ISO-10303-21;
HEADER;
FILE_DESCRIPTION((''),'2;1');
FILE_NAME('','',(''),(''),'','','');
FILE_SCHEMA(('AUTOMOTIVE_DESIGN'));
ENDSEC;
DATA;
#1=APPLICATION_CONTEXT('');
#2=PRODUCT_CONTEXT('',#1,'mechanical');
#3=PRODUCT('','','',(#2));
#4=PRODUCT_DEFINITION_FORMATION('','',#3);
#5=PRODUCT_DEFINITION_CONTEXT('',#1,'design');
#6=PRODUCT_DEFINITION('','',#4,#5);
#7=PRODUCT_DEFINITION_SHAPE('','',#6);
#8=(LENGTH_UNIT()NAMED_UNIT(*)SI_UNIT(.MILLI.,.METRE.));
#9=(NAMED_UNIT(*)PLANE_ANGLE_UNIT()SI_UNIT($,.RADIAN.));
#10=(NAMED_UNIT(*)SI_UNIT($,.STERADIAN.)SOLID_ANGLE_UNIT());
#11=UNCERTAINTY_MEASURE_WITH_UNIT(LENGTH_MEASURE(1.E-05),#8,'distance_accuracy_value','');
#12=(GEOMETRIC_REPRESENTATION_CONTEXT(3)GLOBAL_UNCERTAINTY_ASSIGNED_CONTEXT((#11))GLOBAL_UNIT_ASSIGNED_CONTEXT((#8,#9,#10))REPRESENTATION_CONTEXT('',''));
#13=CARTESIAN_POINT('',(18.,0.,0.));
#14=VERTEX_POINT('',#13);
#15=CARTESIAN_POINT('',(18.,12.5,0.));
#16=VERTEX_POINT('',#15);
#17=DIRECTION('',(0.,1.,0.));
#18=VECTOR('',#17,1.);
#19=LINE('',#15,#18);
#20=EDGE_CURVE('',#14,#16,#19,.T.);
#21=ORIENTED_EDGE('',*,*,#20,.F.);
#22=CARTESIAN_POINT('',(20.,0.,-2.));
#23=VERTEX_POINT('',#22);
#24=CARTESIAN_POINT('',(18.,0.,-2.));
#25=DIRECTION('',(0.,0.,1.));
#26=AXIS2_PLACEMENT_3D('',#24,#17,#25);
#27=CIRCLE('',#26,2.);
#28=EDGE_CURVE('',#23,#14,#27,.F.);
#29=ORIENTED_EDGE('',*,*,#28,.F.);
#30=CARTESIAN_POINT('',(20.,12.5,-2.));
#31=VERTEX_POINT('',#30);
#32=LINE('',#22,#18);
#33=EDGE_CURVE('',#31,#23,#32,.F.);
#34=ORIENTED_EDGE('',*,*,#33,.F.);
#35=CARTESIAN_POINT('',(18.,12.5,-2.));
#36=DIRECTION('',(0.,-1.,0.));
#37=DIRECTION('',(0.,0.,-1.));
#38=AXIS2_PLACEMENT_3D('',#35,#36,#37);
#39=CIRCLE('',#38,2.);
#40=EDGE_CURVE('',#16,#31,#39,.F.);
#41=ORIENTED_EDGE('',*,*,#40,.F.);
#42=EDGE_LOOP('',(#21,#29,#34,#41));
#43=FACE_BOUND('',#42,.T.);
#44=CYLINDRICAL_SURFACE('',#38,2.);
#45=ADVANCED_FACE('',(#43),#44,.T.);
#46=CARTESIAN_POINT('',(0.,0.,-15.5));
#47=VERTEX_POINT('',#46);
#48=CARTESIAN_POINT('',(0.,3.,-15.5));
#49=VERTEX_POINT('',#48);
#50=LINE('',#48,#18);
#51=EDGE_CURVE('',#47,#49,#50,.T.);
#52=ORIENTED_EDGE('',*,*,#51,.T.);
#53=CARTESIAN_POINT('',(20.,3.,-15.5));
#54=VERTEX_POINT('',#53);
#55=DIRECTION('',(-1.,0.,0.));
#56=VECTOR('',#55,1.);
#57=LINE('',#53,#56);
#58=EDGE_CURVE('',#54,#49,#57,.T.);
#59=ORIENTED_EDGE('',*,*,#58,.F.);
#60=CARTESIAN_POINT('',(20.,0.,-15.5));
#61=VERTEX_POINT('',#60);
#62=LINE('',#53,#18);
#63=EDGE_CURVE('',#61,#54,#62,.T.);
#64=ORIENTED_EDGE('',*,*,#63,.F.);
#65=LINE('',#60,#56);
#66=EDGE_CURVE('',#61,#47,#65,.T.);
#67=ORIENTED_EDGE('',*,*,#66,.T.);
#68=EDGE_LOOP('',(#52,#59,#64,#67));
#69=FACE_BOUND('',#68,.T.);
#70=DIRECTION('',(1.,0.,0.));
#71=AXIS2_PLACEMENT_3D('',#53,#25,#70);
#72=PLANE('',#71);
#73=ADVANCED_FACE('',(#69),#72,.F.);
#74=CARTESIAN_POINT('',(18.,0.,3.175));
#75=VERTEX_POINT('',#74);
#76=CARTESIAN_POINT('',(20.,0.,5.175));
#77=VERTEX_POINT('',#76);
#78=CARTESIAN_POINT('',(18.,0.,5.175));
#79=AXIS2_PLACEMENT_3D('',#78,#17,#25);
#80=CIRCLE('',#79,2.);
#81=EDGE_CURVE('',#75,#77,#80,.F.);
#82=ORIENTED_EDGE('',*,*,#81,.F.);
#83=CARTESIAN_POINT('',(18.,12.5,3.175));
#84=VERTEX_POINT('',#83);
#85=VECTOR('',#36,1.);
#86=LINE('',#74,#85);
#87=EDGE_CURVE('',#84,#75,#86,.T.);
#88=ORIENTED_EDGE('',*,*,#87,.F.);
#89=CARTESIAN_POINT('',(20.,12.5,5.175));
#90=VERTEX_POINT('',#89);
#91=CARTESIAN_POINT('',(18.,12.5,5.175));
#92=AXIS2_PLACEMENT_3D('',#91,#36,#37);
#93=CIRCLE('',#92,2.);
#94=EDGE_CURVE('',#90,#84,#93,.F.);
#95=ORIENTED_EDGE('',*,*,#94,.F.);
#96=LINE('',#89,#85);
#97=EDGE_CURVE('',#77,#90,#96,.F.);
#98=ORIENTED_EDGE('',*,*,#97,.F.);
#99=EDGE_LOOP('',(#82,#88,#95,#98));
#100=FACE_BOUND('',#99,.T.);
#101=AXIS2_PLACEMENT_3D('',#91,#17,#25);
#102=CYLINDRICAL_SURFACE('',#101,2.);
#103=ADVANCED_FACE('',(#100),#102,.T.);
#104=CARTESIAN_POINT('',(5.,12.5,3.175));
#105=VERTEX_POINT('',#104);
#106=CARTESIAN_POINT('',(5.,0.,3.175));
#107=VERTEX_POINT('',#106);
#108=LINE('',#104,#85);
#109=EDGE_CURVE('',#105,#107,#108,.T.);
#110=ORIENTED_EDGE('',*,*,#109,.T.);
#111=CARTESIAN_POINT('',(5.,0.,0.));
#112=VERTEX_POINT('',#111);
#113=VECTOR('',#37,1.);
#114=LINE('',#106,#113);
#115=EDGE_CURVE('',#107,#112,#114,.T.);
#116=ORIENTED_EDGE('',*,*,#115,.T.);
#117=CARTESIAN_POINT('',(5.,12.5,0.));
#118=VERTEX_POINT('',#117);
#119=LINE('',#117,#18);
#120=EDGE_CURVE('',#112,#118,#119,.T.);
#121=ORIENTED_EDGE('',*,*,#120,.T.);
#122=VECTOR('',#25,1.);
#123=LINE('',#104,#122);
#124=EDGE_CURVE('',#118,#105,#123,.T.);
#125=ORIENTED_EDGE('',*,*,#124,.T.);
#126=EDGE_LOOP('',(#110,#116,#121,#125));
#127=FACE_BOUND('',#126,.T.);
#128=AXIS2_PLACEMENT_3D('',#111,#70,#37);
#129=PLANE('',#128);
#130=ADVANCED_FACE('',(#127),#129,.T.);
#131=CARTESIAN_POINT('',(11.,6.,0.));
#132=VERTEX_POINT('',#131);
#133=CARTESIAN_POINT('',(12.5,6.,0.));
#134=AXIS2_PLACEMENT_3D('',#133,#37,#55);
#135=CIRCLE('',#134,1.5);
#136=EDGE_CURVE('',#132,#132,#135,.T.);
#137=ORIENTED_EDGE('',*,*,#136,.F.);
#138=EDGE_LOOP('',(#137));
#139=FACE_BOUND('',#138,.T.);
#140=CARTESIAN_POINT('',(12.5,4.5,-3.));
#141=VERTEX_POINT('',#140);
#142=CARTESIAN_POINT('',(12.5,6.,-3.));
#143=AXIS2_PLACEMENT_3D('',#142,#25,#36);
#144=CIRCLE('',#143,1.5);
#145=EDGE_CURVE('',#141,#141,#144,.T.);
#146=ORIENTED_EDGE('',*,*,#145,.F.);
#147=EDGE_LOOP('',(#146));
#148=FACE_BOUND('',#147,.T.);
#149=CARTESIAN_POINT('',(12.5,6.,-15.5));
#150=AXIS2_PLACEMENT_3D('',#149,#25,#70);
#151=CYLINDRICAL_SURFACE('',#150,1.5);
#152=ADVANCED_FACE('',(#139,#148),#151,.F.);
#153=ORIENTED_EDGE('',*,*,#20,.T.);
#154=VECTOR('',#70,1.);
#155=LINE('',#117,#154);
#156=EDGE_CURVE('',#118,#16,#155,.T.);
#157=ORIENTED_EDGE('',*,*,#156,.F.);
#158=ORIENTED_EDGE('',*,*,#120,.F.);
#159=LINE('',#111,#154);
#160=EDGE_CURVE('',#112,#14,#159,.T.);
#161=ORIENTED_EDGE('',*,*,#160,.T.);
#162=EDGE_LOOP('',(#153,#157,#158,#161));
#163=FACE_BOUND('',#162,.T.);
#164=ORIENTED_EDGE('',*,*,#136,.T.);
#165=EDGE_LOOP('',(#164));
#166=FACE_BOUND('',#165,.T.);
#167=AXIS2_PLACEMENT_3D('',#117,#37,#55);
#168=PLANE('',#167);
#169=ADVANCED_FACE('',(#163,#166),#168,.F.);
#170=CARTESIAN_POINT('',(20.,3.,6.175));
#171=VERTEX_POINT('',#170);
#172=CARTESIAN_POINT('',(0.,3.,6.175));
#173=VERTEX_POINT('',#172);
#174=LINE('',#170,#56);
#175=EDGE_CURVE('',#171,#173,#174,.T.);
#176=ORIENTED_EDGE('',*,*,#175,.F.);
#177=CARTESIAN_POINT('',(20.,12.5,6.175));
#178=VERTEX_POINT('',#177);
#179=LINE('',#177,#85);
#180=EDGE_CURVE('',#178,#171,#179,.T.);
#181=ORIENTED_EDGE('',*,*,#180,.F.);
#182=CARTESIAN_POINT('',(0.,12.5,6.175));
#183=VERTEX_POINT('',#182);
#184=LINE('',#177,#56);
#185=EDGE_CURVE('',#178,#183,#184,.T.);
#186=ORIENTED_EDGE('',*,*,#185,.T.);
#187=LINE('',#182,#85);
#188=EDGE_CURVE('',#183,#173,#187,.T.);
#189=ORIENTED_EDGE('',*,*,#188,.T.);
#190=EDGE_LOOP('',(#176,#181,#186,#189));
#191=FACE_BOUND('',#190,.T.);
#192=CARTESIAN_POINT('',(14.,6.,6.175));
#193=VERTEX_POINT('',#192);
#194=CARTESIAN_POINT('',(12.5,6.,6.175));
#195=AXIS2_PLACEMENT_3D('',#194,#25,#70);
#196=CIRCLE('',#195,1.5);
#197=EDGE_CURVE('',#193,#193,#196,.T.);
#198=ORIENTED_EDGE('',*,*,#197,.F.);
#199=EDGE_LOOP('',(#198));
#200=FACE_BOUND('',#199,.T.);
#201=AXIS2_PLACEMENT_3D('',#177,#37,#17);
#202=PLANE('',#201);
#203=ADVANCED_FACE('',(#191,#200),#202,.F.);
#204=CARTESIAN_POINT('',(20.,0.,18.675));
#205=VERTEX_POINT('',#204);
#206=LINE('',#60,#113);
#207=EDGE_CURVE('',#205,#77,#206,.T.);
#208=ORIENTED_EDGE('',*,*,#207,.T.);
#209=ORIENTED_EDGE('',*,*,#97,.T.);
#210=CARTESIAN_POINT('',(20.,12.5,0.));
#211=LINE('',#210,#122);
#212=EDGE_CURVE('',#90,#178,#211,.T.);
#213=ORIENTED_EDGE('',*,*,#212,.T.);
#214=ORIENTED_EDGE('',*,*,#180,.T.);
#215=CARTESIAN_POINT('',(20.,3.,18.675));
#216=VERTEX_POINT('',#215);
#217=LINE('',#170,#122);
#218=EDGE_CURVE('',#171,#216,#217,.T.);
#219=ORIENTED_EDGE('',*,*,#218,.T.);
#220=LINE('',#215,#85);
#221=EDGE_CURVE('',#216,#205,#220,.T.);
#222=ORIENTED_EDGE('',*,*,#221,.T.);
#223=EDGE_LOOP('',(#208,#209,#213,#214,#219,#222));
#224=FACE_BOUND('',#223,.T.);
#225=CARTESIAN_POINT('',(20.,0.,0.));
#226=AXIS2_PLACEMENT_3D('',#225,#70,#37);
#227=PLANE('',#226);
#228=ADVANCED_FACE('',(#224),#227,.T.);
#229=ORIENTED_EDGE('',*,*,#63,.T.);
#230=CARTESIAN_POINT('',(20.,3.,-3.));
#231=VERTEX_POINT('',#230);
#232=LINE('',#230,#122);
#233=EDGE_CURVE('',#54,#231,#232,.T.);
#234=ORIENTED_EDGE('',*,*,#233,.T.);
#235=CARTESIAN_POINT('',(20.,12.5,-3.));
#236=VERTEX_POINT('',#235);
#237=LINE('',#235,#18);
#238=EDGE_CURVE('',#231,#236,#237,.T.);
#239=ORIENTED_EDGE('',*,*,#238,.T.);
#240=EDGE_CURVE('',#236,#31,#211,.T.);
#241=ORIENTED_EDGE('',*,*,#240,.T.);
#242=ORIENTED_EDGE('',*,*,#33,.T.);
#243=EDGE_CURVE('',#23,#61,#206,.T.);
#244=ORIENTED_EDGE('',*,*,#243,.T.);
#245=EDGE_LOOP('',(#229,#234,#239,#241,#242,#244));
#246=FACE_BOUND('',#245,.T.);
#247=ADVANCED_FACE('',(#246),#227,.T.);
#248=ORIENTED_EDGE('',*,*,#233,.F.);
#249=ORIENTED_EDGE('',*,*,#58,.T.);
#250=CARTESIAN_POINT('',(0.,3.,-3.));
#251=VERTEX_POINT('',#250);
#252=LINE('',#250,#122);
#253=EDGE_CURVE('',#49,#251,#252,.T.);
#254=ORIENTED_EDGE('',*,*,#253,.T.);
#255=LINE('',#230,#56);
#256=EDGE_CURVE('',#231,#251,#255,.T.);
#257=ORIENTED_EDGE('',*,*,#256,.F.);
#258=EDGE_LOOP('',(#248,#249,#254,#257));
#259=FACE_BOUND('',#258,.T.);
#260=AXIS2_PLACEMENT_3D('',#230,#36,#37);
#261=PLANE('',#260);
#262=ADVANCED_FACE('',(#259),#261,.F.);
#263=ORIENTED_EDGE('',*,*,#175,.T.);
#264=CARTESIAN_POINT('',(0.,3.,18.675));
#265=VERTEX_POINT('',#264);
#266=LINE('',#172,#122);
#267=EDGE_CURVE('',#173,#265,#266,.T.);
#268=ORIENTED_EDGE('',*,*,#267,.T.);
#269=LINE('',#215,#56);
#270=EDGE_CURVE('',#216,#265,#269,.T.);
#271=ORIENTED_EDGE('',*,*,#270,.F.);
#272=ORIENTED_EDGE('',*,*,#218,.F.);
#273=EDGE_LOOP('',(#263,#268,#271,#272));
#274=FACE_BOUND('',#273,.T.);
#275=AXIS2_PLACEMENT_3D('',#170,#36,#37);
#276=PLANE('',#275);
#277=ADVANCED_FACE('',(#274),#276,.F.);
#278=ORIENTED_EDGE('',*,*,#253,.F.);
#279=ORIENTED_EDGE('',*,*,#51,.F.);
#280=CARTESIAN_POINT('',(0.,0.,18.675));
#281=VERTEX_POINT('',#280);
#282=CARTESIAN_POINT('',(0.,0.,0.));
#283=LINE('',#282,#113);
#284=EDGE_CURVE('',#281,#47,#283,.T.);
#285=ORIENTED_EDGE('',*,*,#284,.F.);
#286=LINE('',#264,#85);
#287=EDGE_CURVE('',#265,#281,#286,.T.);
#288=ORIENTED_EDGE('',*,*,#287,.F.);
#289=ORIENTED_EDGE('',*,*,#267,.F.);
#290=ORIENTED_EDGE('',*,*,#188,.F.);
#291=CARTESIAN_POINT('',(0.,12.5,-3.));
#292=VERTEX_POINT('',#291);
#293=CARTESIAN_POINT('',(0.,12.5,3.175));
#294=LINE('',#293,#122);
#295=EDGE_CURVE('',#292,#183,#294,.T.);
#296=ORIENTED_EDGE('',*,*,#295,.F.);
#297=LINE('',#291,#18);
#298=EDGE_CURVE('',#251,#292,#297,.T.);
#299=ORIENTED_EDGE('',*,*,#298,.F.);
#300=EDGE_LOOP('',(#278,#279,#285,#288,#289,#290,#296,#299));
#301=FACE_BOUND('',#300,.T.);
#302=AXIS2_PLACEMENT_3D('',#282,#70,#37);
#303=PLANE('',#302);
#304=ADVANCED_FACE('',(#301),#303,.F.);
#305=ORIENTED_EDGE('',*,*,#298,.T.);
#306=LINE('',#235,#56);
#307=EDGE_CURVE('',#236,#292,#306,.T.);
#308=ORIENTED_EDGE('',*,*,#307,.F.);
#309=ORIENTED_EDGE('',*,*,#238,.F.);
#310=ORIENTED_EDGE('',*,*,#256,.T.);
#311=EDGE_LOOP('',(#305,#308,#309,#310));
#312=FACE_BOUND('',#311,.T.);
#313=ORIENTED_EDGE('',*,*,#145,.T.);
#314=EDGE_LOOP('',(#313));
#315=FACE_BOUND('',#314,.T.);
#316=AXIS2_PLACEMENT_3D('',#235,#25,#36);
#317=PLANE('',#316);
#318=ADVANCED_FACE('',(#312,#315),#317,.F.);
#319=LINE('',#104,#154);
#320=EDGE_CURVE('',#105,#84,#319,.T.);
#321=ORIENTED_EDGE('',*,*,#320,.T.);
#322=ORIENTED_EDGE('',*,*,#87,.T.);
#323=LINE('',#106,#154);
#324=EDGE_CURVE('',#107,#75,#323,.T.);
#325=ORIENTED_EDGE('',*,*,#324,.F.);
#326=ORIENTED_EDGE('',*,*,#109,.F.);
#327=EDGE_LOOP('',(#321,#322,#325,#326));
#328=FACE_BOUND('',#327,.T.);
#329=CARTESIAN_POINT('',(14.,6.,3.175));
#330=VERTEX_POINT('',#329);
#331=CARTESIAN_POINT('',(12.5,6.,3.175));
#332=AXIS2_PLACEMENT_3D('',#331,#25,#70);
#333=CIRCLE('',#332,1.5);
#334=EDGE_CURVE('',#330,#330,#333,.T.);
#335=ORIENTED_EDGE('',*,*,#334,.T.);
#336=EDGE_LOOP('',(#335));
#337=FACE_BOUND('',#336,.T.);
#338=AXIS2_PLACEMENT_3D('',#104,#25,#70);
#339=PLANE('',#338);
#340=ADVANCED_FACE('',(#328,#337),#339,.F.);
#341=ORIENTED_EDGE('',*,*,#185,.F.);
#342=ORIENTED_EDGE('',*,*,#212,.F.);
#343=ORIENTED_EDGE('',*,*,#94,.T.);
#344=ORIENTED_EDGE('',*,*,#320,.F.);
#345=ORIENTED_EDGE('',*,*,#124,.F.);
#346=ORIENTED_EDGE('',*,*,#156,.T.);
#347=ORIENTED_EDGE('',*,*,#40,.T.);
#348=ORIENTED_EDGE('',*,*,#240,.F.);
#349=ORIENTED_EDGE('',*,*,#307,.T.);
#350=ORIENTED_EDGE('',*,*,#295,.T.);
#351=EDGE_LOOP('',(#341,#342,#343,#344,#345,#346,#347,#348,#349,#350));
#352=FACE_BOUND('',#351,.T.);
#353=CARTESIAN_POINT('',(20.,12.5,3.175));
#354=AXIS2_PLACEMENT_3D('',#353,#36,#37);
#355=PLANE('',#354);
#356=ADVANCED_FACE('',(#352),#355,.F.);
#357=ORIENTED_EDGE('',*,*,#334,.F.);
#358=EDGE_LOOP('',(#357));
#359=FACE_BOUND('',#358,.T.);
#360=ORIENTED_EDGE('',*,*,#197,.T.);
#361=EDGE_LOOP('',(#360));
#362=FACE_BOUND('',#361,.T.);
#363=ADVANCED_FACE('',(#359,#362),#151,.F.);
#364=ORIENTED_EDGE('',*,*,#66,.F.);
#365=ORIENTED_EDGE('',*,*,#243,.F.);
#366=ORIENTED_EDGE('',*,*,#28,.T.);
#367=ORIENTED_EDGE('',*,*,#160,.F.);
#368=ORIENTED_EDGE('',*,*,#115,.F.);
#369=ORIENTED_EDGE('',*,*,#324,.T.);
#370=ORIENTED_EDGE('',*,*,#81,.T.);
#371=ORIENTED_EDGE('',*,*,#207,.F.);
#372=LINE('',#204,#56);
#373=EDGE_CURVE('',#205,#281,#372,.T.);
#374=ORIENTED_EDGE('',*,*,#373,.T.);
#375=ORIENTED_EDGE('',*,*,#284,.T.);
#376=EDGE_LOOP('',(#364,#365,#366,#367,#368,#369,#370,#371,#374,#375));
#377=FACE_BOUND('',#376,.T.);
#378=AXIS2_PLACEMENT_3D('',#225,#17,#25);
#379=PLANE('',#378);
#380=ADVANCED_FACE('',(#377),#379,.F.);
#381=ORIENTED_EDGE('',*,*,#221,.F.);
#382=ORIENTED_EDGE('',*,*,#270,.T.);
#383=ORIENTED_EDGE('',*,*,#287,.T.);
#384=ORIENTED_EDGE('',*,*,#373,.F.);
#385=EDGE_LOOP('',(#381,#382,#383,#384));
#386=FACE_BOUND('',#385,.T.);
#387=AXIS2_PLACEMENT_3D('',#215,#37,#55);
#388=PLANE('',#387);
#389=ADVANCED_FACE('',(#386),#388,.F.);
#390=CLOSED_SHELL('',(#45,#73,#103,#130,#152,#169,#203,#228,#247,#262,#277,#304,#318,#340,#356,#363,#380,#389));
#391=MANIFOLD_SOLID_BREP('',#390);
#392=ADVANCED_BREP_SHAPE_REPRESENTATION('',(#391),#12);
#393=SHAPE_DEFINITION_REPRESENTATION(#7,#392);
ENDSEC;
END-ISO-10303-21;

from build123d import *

# Parameters (mm, degrees)
BOSS_EXTRUDE1_DEPTH = 20
SKETCH2_W           = 3.175
SKETCH2_H           = 12.5
CUT_EXTRUDE1_DEPTH  = 15
SKETCH3_R           = 1.5
CUT_EXTRUDE2_DEPTH  = 33.032103037
FILLET1_R           = 2


with BuildPart() as part:
    # Sketch1 → Boss-Extrude1 (new body)
    with BuildSketch(Plane(origin=(0, 0, 0), x_dir=(0, 0, -1), z_dir=(1, 0, 0))):
        Polygon((0, 12.5), (3, 12.5), (3, 3), (15.5, 3), (15.5, 0), (0, 0), (-3.175, 0), (-18.675, 0), (-18.675, 3), (-6.175, 3), (-6.175, 12.5), (-3.175, 12.5), align=None)
    extrude(amount=BOSS_EXTRUDE1_DEPTH)

    # Sketch2 → Cut-Extrude1 (cut)
    with BuildSketch(Plane(origin=(20, 0, 0), x_dir=(0, 0, -1), z_dir=(1, 0, 0))):
        with Locations((-1.5875, 6.25)):
            Rectangle(SKETCH2_W, SKETCH2_H)
    extrude(amount=-CUT_EXTRUDE1_DEPTH, mode=Mode.SUBTRACT)

    # Sketch3 → Cut-Extrude2 (cut, through all)
    with BuildSketch(Plane.XY.offset(6.175)):
        with Locations((12.5, 6)):
            Circle(SKETCH3_R)
    extrude(amount=-CUT_EXTRUDE2_DEPTH, mode=Mode.SUBTRACT)

    # Fillet1
    fillet1_edges = [part.edges().sort_by_distance(p)[0] for p in [
        (20, 6.25, 0),
        (20, 6.25, 3.175),
    ]]
    fillet(fillet1_edges, radius=FILLET1_R)


solid = part.part
